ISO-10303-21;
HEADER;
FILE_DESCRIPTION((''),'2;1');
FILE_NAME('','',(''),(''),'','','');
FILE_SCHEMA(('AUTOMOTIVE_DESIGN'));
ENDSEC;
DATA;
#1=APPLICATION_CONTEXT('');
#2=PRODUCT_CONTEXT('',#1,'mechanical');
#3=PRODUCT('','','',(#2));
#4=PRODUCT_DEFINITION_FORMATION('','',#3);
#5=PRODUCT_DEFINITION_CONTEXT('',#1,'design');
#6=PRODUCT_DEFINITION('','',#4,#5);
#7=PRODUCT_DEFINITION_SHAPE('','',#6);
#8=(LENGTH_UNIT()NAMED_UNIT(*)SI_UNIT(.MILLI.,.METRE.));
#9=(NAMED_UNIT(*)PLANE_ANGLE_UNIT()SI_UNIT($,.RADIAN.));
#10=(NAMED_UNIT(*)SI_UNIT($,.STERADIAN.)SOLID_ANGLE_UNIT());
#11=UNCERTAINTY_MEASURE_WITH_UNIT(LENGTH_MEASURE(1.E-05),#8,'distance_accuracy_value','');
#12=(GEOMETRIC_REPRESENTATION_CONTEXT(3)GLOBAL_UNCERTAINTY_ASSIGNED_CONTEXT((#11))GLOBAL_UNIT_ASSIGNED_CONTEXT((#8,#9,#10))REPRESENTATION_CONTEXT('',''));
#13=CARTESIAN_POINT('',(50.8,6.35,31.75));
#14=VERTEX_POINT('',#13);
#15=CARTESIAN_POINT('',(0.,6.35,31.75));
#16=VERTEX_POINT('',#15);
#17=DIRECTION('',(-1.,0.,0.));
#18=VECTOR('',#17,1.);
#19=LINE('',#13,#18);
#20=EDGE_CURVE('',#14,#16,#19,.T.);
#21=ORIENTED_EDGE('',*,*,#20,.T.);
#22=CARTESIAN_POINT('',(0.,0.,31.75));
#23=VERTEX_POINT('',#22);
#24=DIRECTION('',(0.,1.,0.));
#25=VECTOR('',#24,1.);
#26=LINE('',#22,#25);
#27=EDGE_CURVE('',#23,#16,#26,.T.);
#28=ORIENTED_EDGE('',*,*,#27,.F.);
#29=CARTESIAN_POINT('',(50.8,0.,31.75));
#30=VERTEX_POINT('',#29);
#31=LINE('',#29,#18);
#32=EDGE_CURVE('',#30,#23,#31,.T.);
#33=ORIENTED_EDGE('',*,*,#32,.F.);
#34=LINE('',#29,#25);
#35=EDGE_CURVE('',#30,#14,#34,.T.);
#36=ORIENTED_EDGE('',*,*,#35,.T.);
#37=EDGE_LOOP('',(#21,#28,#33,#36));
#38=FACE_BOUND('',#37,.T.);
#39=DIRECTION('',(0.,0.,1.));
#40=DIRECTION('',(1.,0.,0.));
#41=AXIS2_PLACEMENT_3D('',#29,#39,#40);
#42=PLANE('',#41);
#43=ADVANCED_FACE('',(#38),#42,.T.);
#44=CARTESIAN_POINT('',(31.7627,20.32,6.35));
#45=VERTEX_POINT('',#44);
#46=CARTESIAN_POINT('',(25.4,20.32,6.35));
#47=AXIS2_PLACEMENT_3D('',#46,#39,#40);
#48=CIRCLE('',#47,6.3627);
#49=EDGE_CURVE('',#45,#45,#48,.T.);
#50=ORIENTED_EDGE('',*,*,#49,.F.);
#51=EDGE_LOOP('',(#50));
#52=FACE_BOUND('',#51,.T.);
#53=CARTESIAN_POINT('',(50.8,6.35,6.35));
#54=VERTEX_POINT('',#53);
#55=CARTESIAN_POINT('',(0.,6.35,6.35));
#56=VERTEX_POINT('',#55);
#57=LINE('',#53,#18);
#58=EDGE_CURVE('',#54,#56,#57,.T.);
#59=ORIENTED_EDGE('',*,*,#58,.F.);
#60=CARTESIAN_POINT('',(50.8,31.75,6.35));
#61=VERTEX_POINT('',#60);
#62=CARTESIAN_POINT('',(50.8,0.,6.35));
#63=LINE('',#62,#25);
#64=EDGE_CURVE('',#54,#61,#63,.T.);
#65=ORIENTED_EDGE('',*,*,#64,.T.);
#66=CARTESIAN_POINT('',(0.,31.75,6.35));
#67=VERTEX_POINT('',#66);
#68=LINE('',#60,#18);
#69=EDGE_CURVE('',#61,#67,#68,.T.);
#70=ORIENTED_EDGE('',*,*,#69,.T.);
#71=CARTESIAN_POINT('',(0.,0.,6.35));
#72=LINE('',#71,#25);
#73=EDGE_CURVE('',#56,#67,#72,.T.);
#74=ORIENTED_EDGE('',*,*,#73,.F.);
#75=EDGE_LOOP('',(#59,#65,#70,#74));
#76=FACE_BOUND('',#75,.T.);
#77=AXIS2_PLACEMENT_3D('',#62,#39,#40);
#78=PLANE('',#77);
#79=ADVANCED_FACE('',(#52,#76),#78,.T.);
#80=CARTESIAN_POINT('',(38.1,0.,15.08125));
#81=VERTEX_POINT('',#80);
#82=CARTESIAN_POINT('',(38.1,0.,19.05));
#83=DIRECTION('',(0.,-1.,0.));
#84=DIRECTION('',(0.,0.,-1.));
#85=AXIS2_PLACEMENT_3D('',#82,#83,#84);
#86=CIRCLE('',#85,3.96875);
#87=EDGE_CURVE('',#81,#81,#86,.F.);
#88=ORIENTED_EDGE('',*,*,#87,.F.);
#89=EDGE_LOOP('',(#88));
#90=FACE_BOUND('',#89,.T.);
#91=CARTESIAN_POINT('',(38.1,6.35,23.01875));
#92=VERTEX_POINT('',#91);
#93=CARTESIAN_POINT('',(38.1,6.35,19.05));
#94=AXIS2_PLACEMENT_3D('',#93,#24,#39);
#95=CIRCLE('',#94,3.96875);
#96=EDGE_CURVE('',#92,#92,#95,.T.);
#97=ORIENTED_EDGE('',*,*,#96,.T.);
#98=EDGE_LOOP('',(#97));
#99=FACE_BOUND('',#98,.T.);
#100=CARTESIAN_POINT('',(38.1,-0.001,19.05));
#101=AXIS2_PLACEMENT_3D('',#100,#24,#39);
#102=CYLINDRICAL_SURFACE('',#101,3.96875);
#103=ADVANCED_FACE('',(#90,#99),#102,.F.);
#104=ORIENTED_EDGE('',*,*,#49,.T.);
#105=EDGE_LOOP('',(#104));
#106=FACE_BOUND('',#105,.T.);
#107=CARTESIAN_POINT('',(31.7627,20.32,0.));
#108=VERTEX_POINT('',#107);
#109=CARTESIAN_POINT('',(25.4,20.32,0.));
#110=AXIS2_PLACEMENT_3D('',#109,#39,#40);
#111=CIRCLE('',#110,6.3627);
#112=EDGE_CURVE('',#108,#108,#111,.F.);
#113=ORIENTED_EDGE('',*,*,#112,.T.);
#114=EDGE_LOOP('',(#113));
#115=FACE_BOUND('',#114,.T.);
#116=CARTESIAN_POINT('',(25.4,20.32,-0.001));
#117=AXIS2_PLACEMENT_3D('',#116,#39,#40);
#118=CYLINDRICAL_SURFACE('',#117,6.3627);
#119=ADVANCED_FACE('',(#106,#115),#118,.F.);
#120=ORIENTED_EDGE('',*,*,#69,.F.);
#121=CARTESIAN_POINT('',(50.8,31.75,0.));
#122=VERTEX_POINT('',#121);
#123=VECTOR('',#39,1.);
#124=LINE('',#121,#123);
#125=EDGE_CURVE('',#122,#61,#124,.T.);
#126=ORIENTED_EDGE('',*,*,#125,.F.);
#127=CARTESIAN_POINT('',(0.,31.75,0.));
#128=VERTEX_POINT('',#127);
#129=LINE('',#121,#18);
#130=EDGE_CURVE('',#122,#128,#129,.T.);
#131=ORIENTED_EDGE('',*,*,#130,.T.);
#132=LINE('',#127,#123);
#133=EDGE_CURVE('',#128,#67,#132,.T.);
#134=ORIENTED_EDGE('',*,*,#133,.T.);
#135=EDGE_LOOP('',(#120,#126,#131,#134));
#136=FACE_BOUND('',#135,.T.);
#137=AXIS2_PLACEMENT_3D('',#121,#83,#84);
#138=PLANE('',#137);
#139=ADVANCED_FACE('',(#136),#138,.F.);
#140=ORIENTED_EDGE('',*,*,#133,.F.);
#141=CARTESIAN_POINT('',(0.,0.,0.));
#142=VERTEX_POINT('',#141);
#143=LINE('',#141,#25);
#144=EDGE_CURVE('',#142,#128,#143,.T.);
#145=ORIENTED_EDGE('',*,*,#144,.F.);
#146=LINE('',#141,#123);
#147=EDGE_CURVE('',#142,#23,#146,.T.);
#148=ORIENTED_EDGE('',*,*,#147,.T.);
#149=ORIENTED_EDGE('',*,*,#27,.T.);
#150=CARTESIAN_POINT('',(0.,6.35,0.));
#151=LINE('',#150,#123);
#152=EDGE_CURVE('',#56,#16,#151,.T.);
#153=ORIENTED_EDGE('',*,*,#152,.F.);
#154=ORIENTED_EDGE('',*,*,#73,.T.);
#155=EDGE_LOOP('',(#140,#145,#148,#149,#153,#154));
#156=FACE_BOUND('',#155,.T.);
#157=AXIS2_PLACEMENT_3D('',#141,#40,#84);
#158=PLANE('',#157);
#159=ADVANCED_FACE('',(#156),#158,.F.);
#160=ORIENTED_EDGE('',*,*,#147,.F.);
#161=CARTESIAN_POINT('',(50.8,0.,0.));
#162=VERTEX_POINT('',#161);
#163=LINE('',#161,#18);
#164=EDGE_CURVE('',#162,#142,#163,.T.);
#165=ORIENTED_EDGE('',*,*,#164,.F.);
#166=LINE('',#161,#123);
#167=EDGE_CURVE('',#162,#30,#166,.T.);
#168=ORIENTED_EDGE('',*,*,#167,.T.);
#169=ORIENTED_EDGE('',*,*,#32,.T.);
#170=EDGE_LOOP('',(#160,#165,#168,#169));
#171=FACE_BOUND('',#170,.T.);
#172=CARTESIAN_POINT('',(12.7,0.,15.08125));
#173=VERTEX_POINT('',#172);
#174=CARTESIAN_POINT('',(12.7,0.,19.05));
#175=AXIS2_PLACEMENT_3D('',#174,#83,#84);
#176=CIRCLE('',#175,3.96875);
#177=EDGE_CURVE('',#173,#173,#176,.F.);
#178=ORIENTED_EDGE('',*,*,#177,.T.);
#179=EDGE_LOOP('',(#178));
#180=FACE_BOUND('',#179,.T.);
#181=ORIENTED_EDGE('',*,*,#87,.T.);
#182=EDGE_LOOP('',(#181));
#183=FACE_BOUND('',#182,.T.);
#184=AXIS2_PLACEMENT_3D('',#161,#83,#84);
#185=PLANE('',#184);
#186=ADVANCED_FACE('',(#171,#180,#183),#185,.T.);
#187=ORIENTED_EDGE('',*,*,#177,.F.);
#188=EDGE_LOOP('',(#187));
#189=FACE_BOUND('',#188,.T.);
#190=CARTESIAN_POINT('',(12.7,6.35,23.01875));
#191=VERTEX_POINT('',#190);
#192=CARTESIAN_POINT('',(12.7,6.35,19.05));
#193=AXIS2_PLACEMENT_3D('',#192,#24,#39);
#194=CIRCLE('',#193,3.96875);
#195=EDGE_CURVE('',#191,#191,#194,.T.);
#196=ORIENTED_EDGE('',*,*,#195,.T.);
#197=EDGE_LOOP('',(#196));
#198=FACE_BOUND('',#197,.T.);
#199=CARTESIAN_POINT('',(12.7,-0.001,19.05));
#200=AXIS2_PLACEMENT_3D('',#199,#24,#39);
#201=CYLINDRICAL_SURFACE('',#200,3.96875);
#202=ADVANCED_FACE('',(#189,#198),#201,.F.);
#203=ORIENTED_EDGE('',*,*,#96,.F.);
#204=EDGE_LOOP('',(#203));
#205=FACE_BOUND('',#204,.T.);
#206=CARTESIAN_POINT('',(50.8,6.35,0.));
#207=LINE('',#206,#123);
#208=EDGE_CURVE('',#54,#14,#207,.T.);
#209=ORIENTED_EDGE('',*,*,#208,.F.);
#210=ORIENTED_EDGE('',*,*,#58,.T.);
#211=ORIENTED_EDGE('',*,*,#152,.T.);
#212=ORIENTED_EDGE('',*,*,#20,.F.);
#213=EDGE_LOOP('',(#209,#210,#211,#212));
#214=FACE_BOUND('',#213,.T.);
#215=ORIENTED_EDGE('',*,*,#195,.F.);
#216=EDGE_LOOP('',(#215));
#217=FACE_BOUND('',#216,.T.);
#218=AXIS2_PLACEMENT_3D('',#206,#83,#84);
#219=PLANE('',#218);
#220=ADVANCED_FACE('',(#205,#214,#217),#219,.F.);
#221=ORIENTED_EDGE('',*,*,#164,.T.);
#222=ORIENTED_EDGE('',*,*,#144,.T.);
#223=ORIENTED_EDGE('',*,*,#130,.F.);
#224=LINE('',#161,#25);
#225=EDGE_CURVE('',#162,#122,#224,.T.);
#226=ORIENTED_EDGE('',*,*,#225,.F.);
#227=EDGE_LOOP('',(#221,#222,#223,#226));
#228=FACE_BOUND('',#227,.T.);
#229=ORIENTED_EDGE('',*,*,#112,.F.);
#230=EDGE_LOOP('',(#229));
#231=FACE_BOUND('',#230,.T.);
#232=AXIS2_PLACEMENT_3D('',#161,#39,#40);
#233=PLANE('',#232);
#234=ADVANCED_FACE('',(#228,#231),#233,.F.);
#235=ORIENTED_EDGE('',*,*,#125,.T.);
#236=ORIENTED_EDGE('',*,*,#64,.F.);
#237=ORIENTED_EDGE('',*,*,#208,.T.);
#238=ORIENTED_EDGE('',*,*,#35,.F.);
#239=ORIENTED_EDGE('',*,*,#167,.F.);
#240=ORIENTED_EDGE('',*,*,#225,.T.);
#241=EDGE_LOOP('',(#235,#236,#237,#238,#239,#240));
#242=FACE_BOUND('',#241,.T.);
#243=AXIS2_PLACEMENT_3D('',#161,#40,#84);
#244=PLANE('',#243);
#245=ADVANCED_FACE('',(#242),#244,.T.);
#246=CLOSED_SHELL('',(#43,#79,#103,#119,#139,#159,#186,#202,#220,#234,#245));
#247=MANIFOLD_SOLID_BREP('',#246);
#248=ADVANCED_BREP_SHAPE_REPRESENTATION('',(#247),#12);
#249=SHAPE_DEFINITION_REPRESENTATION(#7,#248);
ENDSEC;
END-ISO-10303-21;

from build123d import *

# Parameters (mm, degrees)
SKETCH1_W           = 25.4
SKETCH1_H           = 6.35
SKETCH1_W_2         = 6.35
SKETCH1_H_2         = 31.75
BOSS_EXTRUDE1_DEPTH = 50.8
CUT_EXTRUDE1_REACH  = 8.35
SKETCH2_R           = 6.3627
CUT_EXTRUDE2_REACH  = 8.35
SKETCH3_R           = 3.96875


with BuildPart() as part:
    # Sketch1 → Boss-Extrude1 (new body)
    with BuildSketch(Plane(origin=(0, 0, 0), x_dir=(0, 0, -1), z_dir=(1, 0, 0))):
        with Locations((-19.05, 3.175)):
            Rectangle(SKETCH1_W, SKETCH1_H)
        with Locations((-3.175, 15.875)):
            Rectangle(SKETCH1_W_2, SKETCH1_H_2)
    extrude(amount=BOSS_EXTRUDE1_DEPTH)

    # Sketch2 → Cut-Extrude1 (cut, up to next)
    with BuildSketch(Plane.XY.offset(6.35), mode=Mode.PRIVATE) as cut_extrude1_sk1:
        with Locations((25.4, 20.32)):
            Circle(SKETCH2_R)
    cut_extrude1_tool1 = extrude(cut_extrude1_sk1.sketch, amount=-CUT_EXTRUDE1_REACH, mode=Mode.PRIVATE) & part.part
    add(cut_extrude1_tool1.solids().sort_by_distance((25.4, 20.32, 6.35))[0], mode=Mode.SUBTRACT)

    # Sketch3 → Cut-Extrude2 (cut, up to next)
    with BuildSketch(Plane(origin=(0, 6.35, 0), x_dir=(1, 0, 0), z_dir=(0, 1, 0)), mode=Mode.PRIVATE) as cut_extrude2_sk1:
        with Locations((12.7, -19.05)):
            Circle(SKETCH3_R)
    cut_extrude2_tool1 = extrude(cut_extrude2_sk1.sketch, amount=-CUT_EXTRUDE2_REACH, mode=Mode.PRIVATE) & part.part
    add(cut_extrude2_tool1.solids().sort_by_distance((12.7, 6.35, 19.05))[0], mode=Mode.SUBTRACT)
    # Sketch3 → Cut-Extrude2 (cut, up to next)
    with BuildSketch(Plane(origin=(0, 6.35, 0), x_dir=(1, 0, 0), z_dir=(0, 1, 0)), mode=Mode.PRIVATE) as cut_extrude2_sk2:
        with Locations((38.1, -19.05)):
            Circle(SKETCH3_R)
    cut_extrude2_tool2 = extrude(cut_extrude2_sk2.sketch, amount=-CUT_EXTRUDE2_REACH, mode=Mode.PRIVATE) & part.part
    add(cut_extrude2_tool2.solids().sort_by_distance((38.1, 6.35, 19.05))[0], mode=Mode.SUBTRACT)


solid = part.part
